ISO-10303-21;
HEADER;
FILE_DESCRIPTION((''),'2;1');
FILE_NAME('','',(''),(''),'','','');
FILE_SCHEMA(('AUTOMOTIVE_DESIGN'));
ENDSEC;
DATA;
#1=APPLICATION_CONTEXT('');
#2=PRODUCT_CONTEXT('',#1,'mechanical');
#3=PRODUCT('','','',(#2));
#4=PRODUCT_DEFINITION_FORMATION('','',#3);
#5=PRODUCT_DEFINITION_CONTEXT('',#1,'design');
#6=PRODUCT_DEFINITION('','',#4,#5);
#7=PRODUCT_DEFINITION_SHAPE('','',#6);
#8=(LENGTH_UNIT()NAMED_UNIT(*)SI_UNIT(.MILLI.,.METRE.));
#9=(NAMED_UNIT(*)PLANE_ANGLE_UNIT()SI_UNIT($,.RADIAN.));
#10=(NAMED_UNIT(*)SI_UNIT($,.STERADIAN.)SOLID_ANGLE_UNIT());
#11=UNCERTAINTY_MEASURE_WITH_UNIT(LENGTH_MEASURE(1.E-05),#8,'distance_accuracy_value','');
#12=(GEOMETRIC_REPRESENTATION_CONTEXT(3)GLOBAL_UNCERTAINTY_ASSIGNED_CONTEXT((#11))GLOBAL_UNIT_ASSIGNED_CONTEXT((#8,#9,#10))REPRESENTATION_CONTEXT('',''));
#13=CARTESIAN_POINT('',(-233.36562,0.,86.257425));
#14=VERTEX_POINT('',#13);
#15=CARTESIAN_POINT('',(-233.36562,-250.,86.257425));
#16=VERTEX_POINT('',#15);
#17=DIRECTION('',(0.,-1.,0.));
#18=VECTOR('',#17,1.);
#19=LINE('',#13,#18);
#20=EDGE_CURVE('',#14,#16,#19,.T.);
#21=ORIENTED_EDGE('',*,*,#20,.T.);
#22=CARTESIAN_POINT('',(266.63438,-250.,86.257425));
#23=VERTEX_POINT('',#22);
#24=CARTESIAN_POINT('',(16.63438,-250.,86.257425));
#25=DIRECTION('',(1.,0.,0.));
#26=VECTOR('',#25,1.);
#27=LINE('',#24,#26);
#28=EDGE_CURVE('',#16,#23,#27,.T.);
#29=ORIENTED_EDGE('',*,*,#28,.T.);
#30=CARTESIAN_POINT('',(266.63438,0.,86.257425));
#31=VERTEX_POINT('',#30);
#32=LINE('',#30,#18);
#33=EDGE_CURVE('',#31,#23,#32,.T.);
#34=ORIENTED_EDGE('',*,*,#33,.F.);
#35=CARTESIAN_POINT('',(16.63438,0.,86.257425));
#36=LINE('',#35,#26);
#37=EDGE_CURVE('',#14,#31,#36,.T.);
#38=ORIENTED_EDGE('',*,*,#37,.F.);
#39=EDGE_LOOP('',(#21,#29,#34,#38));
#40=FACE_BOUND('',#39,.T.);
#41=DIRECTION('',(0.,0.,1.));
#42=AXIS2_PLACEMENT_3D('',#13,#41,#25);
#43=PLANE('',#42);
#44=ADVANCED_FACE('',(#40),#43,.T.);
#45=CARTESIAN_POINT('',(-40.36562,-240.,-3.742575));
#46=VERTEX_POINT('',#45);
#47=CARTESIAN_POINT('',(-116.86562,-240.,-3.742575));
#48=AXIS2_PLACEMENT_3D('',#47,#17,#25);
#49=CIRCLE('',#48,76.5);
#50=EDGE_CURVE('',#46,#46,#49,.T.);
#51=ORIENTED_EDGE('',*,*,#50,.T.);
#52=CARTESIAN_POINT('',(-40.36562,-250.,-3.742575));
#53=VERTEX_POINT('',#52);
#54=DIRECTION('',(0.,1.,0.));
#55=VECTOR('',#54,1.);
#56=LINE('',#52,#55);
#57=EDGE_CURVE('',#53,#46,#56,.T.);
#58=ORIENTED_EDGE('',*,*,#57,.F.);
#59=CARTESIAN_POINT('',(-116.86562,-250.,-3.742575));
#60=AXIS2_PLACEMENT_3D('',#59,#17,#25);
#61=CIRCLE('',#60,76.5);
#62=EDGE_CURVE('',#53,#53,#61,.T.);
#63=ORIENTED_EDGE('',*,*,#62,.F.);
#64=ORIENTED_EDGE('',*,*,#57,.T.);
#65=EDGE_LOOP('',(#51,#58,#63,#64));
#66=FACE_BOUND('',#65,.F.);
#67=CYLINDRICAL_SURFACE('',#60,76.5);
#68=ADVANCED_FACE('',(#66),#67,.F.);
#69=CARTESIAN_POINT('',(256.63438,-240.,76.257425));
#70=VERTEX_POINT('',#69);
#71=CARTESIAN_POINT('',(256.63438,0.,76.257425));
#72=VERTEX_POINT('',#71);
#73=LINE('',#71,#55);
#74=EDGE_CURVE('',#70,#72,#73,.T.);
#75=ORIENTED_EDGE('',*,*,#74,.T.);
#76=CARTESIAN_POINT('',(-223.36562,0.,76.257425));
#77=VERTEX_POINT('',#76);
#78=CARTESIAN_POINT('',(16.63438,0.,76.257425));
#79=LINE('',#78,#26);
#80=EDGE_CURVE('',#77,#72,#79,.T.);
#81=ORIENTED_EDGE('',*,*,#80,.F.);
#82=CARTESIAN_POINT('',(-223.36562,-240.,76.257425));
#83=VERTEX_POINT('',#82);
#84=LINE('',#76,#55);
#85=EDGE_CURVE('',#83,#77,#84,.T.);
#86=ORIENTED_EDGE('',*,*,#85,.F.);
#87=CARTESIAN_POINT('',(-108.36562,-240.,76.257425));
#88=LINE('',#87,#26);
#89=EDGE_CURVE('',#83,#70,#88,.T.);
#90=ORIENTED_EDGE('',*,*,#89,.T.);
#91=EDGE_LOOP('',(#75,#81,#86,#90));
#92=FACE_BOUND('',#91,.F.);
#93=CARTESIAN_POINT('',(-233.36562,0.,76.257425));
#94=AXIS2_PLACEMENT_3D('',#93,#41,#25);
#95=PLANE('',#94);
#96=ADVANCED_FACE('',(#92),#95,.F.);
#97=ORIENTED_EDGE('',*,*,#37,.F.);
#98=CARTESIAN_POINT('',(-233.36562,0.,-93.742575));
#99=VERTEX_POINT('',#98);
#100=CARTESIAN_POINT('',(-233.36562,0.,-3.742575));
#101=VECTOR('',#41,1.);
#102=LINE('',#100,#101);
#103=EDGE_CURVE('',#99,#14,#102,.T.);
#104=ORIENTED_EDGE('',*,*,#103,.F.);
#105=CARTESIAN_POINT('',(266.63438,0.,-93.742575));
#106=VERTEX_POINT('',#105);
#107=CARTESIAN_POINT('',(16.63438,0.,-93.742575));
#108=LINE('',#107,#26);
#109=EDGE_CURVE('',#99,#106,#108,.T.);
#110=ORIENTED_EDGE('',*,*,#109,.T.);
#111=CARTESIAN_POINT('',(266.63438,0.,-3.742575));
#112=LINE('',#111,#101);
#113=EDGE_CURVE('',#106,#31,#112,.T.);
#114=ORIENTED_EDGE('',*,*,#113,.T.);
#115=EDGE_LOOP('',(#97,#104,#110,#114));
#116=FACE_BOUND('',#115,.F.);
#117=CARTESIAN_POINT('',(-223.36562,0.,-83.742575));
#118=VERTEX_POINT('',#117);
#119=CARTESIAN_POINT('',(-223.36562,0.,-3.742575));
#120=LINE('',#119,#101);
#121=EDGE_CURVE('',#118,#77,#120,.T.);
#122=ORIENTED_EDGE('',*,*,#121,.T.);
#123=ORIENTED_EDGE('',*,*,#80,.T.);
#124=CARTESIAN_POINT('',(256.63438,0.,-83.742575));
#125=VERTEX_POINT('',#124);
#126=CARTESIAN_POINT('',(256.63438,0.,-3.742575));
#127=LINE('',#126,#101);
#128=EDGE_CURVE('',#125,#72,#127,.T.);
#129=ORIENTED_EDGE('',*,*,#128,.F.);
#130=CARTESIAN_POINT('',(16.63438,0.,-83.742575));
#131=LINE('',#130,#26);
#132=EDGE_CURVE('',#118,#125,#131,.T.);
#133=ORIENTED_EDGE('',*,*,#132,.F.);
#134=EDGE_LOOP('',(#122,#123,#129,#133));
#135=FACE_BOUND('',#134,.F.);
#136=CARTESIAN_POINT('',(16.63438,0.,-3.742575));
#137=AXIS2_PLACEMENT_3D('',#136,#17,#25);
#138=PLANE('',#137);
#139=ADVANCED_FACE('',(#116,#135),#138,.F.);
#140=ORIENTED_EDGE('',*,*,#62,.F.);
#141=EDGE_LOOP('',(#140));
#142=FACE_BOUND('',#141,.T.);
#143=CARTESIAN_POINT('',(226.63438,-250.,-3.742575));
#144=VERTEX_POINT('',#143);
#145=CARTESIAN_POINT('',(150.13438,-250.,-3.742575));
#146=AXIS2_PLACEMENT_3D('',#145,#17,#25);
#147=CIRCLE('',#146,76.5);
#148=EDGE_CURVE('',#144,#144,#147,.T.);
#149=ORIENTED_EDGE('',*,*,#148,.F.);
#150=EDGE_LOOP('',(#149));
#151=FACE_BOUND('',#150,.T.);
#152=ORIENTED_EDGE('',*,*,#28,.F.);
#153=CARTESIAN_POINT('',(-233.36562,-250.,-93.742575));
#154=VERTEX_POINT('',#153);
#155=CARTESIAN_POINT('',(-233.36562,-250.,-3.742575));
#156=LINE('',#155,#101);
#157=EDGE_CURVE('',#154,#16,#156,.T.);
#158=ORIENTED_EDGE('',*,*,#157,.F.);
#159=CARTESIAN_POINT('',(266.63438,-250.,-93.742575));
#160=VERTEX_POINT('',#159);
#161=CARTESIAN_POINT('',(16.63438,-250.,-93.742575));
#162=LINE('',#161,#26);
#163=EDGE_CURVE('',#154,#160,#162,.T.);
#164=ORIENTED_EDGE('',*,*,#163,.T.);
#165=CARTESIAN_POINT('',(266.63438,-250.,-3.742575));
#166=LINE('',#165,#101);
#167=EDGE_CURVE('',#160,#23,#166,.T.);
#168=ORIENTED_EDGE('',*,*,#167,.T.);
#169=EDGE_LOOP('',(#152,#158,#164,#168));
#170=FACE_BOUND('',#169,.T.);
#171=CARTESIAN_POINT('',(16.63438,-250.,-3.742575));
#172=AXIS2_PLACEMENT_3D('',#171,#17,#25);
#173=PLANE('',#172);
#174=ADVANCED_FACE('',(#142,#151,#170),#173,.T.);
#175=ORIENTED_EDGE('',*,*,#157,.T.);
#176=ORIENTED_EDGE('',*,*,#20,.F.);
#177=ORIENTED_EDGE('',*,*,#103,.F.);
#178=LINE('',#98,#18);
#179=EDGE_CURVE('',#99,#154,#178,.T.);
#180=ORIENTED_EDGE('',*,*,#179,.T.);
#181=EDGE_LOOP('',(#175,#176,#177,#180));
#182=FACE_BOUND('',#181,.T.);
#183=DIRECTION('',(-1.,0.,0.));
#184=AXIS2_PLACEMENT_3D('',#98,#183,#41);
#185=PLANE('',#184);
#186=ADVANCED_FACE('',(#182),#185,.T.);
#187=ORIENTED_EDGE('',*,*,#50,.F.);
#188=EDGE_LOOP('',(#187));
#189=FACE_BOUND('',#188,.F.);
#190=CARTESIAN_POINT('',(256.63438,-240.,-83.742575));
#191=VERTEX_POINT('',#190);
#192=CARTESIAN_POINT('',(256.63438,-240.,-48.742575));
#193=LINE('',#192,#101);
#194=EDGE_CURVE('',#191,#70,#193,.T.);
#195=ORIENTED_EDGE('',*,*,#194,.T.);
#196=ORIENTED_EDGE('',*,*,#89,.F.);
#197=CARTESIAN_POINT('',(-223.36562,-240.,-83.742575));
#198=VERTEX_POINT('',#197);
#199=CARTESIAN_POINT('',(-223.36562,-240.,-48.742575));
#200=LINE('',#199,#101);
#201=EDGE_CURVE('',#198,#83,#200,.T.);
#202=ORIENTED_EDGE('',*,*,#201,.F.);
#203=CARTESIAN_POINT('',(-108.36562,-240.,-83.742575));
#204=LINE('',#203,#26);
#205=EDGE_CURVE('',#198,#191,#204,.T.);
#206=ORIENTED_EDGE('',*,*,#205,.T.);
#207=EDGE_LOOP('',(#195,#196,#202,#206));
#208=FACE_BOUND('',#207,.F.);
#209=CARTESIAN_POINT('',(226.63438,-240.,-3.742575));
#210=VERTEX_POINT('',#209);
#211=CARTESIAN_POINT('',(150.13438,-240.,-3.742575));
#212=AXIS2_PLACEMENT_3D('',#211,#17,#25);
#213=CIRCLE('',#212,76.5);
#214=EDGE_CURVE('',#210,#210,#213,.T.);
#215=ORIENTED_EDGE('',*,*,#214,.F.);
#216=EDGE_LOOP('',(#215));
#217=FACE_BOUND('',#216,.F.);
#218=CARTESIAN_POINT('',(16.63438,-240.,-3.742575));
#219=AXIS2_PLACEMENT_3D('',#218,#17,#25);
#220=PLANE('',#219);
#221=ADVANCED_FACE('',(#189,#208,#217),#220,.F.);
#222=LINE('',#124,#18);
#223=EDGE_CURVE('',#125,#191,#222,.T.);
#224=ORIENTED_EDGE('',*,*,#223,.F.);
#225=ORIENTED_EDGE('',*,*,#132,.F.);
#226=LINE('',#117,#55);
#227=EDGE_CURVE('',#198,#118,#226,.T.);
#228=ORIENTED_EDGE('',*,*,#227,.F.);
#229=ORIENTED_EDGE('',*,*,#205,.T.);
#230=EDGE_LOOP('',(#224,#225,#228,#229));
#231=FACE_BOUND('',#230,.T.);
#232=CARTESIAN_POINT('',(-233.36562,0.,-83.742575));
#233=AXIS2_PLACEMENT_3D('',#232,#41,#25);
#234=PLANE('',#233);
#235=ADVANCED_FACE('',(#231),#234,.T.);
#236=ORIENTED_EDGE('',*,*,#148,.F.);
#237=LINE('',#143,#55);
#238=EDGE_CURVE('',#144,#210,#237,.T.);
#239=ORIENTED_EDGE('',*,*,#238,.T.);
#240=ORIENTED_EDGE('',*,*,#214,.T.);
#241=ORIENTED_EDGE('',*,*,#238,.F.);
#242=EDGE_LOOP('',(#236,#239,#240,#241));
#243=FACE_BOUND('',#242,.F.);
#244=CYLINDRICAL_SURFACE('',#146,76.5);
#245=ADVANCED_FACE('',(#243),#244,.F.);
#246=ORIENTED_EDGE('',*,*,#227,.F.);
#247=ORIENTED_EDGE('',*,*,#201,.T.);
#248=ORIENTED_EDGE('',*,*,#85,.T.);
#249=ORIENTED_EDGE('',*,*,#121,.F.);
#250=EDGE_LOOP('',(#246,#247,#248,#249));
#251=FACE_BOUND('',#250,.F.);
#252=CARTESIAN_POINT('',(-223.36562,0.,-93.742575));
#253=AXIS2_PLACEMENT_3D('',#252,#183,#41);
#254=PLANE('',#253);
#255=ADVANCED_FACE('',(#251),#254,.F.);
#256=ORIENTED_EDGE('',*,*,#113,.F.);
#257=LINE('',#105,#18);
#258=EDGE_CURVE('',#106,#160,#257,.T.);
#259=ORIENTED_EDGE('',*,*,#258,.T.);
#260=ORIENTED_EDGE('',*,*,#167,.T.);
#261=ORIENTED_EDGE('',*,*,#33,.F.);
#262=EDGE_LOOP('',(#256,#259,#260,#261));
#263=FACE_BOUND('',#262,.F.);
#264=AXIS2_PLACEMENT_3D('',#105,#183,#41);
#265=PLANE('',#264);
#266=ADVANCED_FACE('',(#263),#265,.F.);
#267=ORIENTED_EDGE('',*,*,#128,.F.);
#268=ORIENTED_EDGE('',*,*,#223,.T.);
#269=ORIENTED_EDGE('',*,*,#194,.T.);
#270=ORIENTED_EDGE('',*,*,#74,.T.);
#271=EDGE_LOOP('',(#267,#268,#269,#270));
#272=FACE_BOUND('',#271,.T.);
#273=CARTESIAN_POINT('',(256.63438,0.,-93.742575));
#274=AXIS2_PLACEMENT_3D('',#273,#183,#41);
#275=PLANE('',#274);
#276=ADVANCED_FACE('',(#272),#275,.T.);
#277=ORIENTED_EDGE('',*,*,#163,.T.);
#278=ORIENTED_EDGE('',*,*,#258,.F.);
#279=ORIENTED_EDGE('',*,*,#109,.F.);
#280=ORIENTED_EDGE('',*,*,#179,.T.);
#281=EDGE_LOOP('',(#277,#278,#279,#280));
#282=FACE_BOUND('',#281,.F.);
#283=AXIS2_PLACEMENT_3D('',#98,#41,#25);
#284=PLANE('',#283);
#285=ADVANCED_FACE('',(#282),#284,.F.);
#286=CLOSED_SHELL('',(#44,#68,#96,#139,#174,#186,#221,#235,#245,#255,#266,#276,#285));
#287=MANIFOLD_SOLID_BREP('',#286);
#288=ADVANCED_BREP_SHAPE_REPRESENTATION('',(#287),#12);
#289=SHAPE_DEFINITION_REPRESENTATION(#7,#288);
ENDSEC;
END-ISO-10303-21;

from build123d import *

# Parameters (mm, degrees)
F0_W     = 500
F0_H     = 180
F1_DEPTH = 250
F2_T     = -10
F3_R     = 76.5
F4_DEPTH = 25


with BuildPart() as f1:
    # F0 (on Front) → F1 (new body)
    with BuildSketch(Plane.XZ):
        with Locations((16.63438, -3.742575)):
            Rectangle(F0_W, F0_H)
    extrude(amount=F1_DEPTH)

    # F2
    f2_openings = [f1.faces().sort_by_distance(p)[0] for p in [
        (16.63438, 0, -3.742575),
    ]]
    offset(amount=F2_T, openings=f2_openings)

    # F3 (on face) → F4 (cut)
    with BuildSketch(Plane.XZ.offset(250)):
        with Locations((-116.86562, -3.742575)):
            Circle(F3_R)
        with Locations((150.13438, -3.742575)):
            Circle(F3_R)
    extrude(amount=-F4_DEPTH, mode=Mode.SUBTRACT)


solid = f1.part
